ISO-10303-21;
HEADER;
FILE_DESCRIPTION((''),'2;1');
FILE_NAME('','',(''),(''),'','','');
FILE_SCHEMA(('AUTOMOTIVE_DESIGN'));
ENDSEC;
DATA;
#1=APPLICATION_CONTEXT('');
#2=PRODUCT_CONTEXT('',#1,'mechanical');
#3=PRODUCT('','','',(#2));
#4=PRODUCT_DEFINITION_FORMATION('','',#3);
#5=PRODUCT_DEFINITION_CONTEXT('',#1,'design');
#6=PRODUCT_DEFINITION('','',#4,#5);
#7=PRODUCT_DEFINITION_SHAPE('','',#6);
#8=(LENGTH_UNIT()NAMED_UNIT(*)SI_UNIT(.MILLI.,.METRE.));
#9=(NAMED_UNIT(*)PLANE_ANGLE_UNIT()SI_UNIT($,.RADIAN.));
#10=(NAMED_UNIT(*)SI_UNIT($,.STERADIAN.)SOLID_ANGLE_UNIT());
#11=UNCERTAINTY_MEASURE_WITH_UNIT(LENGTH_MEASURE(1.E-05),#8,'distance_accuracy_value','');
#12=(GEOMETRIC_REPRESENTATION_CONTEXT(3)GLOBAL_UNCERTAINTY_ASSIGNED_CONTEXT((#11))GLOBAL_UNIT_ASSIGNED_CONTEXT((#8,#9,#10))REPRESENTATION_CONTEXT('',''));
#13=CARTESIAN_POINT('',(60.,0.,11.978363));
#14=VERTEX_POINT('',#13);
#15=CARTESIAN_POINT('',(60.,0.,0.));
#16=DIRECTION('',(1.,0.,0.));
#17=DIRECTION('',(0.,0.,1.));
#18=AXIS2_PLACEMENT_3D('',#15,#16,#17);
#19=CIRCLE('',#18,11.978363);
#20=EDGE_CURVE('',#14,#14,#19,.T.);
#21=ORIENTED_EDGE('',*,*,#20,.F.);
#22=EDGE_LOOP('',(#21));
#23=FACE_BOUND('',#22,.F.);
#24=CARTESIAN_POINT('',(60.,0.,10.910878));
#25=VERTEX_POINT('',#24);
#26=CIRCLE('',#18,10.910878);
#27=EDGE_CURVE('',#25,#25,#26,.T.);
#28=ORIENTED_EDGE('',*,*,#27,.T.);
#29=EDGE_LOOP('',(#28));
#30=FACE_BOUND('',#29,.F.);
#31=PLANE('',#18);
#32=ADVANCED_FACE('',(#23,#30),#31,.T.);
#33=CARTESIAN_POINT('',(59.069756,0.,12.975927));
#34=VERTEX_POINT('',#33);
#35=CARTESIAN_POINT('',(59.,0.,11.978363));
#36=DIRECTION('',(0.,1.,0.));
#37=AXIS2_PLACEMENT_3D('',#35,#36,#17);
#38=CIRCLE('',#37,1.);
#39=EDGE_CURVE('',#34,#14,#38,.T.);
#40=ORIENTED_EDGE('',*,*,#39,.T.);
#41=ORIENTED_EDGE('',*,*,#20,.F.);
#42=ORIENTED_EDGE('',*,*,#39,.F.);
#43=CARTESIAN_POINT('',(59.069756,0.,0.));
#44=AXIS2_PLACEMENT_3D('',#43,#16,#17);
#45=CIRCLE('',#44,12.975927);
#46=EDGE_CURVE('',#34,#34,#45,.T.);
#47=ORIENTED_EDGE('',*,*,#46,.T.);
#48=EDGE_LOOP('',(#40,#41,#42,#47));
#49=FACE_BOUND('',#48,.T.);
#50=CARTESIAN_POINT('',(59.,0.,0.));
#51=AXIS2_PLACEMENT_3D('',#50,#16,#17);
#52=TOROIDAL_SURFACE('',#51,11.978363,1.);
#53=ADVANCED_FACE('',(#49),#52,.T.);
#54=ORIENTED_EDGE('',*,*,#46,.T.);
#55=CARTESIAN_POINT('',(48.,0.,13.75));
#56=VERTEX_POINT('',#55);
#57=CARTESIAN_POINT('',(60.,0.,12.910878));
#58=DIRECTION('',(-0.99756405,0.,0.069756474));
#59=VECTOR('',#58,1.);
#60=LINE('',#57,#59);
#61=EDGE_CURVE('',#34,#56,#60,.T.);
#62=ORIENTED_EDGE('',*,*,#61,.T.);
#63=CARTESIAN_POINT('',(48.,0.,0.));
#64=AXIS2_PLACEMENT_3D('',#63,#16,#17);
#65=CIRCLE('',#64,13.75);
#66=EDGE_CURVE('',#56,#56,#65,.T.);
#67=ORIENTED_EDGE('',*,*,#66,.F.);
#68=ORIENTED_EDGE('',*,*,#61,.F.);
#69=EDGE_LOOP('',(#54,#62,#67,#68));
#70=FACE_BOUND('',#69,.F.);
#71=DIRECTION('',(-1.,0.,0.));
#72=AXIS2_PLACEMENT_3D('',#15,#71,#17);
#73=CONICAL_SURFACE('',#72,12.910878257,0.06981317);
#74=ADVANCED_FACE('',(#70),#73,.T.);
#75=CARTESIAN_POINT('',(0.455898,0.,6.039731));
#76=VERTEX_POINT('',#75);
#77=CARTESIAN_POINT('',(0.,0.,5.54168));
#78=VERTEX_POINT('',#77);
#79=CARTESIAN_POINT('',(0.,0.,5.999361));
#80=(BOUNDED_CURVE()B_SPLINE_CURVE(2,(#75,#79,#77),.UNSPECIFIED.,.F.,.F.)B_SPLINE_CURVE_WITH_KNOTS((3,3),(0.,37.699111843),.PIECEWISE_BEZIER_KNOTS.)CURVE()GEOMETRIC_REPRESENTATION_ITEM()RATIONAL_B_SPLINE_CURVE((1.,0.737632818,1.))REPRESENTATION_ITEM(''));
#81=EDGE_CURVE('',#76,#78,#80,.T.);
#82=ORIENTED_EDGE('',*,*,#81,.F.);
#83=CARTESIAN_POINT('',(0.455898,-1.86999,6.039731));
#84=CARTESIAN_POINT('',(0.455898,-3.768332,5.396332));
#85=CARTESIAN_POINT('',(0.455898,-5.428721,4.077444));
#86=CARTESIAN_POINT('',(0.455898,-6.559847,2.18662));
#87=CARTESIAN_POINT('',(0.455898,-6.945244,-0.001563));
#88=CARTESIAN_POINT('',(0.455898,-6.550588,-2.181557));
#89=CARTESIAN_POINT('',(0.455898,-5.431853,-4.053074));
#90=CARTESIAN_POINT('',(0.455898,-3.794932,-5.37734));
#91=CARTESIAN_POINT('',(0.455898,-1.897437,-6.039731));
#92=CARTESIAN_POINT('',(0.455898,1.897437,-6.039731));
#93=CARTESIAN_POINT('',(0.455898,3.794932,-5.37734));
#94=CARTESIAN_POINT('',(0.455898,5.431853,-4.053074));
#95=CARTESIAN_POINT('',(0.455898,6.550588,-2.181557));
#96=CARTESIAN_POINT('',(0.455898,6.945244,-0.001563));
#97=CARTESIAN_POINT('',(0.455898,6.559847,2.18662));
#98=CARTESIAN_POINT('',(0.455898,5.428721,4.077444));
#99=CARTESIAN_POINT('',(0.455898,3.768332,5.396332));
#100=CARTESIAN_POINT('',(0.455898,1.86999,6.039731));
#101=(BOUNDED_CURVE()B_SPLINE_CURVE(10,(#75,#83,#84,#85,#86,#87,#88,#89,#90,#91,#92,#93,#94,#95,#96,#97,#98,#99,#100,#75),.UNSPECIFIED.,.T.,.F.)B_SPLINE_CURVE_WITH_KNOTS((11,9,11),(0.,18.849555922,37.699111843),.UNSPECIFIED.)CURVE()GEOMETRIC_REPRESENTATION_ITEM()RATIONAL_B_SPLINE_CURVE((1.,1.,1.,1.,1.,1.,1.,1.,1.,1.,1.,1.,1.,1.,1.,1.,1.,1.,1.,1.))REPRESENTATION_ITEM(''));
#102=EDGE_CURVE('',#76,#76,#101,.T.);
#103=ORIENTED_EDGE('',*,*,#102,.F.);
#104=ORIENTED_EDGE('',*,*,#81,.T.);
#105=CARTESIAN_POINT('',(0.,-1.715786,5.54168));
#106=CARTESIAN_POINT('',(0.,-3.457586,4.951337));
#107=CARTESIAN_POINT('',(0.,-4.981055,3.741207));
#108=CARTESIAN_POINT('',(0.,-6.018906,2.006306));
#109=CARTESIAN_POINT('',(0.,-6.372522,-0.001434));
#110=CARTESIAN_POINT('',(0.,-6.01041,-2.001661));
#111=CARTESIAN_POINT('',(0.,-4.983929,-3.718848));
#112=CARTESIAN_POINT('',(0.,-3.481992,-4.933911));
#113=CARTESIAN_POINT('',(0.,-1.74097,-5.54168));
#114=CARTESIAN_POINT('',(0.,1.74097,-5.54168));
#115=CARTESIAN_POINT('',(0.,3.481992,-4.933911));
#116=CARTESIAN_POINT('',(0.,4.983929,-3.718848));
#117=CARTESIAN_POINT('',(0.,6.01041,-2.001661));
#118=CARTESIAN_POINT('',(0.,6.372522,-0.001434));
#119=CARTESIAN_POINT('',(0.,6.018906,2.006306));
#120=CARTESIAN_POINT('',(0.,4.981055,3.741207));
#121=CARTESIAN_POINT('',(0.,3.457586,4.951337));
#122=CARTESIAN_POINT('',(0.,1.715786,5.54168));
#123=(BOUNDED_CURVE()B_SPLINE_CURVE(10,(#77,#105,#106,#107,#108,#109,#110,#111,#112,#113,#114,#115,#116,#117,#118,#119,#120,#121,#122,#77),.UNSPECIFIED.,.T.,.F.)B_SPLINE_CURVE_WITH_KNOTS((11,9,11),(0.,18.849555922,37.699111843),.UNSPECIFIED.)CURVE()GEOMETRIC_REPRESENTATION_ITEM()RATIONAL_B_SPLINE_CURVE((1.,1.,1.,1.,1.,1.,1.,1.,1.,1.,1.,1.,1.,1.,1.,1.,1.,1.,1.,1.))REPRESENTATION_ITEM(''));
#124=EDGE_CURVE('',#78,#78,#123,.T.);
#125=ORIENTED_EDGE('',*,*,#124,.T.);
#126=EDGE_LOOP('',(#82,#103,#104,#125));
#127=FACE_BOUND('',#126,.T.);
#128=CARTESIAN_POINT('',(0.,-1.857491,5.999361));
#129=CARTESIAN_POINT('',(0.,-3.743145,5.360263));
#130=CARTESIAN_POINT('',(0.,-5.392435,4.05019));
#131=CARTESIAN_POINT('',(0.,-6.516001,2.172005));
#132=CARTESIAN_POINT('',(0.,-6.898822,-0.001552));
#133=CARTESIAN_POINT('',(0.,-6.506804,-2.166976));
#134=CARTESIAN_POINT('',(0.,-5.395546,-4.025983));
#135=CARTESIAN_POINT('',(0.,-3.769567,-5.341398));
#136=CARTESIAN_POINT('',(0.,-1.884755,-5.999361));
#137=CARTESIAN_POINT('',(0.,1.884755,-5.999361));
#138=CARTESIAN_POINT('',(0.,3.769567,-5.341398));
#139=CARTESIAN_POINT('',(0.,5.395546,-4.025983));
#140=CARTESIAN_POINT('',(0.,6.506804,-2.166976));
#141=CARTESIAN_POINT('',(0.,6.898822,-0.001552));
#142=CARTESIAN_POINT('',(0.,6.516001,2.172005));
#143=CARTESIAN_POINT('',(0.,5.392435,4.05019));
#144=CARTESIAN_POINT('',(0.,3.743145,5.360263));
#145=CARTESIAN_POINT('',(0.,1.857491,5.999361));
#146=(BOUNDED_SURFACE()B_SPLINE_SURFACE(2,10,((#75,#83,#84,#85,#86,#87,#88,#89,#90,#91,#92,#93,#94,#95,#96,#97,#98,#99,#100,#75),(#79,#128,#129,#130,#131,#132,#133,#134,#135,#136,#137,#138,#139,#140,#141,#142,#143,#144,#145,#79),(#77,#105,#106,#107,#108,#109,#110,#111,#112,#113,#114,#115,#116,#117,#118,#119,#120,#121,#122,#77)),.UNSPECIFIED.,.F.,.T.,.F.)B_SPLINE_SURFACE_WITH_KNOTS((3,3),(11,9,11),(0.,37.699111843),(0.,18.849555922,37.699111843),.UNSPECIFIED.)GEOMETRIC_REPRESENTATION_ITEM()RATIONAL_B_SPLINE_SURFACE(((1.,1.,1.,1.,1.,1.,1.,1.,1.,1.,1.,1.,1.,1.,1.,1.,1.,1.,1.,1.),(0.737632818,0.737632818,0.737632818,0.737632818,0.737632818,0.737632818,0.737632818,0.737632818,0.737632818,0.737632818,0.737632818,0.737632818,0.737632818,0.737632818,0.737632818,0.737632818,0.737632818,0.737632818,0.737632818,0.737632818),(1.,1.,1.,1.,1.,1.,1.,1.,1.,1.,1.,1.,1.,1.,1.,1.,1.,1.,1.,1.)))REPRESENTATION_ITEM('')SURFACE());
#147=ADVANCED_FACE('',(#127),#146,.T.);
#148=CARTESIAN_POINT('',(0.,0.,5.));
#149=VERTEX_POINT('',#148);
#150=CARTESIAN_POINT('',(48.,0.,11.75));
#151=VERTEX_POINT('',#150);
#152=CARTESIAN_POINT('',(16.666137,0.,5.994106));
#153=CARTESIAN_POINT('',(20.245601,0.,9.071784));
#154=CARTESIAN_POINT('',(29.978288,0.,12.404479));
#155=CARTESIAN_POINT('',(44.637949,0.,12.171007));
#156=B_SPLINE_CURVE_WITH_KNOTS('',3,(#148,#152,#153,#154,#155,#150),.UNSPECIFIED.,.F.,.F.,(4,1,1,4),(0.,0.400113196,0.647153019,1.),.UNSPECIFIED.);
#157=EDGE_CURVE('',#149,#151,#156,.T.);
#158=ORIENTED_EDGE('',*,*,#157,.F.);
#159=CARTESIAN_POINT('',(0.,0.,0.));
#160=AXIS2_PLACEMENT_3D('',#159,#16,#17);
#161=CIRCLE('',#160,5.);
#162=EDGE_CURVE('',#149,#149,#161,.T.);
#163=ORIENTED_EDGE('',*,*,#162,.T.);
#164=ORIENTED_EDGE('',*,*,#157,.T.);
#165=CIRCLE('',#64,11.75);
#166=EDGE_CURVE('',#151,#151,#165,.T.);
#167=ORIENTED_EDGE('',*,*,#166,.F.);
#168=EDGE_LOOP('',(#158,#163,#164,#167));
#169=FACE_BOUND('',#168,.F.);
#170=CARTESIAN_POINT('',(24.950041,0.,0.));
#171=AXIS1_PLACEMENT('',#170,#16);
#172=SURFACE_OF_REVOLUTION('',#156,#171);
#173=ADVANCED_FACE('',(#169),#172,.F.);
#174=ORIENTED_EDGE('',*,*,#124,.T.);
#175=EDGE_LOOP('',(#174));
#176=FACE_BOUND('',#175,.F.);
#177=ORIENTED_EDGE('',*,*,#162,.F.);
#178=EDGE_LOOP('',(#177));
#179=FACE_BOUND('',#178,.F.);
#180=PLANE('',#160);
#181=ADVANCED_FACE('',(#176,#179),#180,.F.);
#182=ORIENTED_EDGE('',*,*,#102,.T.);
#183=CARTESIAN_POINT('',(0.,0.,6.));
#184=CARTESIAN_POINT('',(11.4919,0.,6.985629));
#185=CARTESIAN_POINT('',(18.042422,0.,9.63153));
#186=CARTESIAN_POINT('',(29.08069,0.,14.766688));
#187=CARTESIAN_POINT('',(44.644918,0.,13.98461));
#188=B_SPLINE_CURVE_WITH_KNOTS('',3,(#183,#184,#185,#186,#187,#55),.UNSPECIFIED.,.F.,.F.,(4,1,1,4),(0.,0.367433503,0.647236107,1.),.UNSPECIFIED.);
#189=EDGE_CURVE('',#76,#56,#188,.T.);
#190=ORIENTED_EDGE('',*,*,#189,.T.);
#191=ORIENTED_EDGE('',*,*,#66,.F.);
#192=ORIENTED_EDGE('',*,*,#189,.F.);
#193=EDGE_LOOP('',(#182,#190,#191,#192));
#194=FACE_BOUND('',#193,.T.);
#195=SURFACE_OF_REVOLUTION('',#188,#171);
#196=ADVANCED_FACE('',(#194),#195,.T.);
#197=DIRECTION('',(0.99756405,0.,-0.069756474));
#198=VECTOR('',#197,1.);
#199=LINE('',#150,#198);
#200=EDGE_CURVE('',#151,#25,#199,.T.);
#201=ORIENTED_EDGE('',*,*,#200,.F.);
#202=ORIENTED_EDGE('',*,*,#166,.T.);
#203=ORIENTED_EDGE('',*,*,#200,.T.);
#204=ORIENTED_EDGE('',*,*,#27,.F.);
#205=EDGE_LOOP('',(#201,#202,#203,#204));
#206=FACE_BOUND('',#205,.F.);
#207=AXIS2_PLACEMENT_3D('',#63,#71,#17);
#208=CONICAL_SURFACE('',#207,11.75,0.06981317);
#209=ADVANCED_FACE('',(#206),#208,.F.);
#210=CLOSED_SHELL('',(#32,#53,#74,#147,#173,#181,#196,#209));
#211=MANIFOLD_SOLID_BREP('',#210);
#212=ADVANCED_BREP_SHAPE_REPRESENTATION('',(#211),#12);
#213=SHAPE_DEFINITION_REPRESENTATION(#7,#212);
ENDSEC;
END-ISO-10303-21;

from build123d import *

# Parameters (mm, degrees)
F2_R = 1
F3_R = 0.5


with BuildPart() as f1:
    # F0 (on Front) → F1 (revolve)
    with BuildSketch(Plane.XZ):
        with BuildLine():
            Line((60, 12.9108782567), (48, 13.75))
            add(Edge.make_bspline(
                [(0, 6), (11.4919004803, 6.9856289308), (18.0424222366, 9.631529618), (29.0806898355, 14.7666881692), (44.6449176536, 13.9846102123), (48, 13.75)],
                knots=[0, 0, 0, 0, 0.3674335032, 0.6472361068, 1, 1, 1, 1], degree=3))
            Line((0, 6), (0, 5))
            add(Edge.make_bspline(
                [(0, 5), (16.6661370682, 5.9941056502), (20.2456012863, 9.0717837053), (29.9782875352, 12.4044792441), (44.6379494506, 12.1710072082), (48, 11.75)],
                knots=[0, 0, 0, 0, 0.4001131959, 0.647153019, 1, 1, 1, 1], degree=3))
            Line((48, 11.75), (60, 10.9108782567))
            Line((60, 10.9108782567), (60, 12.9108782567))
        make_face()
    revolve(axis=Axis((24.9500407372, 0, 0), (1, 0, 0)))

    # F2
    f2_edges = [f1.edges().sort_by_distance(p)[0] for p in [
        (60, 0, -12.910878),
    ]]
    fillet(f2_edges, radius=F2_R)

    # F3
    f3_edges = [f1.edges().sort_by_distance(p)[0] for p in [
        (0, 0, -6),
    ]]
    fillet(f3_edges, radius=F3_R)


solid = f1.part
